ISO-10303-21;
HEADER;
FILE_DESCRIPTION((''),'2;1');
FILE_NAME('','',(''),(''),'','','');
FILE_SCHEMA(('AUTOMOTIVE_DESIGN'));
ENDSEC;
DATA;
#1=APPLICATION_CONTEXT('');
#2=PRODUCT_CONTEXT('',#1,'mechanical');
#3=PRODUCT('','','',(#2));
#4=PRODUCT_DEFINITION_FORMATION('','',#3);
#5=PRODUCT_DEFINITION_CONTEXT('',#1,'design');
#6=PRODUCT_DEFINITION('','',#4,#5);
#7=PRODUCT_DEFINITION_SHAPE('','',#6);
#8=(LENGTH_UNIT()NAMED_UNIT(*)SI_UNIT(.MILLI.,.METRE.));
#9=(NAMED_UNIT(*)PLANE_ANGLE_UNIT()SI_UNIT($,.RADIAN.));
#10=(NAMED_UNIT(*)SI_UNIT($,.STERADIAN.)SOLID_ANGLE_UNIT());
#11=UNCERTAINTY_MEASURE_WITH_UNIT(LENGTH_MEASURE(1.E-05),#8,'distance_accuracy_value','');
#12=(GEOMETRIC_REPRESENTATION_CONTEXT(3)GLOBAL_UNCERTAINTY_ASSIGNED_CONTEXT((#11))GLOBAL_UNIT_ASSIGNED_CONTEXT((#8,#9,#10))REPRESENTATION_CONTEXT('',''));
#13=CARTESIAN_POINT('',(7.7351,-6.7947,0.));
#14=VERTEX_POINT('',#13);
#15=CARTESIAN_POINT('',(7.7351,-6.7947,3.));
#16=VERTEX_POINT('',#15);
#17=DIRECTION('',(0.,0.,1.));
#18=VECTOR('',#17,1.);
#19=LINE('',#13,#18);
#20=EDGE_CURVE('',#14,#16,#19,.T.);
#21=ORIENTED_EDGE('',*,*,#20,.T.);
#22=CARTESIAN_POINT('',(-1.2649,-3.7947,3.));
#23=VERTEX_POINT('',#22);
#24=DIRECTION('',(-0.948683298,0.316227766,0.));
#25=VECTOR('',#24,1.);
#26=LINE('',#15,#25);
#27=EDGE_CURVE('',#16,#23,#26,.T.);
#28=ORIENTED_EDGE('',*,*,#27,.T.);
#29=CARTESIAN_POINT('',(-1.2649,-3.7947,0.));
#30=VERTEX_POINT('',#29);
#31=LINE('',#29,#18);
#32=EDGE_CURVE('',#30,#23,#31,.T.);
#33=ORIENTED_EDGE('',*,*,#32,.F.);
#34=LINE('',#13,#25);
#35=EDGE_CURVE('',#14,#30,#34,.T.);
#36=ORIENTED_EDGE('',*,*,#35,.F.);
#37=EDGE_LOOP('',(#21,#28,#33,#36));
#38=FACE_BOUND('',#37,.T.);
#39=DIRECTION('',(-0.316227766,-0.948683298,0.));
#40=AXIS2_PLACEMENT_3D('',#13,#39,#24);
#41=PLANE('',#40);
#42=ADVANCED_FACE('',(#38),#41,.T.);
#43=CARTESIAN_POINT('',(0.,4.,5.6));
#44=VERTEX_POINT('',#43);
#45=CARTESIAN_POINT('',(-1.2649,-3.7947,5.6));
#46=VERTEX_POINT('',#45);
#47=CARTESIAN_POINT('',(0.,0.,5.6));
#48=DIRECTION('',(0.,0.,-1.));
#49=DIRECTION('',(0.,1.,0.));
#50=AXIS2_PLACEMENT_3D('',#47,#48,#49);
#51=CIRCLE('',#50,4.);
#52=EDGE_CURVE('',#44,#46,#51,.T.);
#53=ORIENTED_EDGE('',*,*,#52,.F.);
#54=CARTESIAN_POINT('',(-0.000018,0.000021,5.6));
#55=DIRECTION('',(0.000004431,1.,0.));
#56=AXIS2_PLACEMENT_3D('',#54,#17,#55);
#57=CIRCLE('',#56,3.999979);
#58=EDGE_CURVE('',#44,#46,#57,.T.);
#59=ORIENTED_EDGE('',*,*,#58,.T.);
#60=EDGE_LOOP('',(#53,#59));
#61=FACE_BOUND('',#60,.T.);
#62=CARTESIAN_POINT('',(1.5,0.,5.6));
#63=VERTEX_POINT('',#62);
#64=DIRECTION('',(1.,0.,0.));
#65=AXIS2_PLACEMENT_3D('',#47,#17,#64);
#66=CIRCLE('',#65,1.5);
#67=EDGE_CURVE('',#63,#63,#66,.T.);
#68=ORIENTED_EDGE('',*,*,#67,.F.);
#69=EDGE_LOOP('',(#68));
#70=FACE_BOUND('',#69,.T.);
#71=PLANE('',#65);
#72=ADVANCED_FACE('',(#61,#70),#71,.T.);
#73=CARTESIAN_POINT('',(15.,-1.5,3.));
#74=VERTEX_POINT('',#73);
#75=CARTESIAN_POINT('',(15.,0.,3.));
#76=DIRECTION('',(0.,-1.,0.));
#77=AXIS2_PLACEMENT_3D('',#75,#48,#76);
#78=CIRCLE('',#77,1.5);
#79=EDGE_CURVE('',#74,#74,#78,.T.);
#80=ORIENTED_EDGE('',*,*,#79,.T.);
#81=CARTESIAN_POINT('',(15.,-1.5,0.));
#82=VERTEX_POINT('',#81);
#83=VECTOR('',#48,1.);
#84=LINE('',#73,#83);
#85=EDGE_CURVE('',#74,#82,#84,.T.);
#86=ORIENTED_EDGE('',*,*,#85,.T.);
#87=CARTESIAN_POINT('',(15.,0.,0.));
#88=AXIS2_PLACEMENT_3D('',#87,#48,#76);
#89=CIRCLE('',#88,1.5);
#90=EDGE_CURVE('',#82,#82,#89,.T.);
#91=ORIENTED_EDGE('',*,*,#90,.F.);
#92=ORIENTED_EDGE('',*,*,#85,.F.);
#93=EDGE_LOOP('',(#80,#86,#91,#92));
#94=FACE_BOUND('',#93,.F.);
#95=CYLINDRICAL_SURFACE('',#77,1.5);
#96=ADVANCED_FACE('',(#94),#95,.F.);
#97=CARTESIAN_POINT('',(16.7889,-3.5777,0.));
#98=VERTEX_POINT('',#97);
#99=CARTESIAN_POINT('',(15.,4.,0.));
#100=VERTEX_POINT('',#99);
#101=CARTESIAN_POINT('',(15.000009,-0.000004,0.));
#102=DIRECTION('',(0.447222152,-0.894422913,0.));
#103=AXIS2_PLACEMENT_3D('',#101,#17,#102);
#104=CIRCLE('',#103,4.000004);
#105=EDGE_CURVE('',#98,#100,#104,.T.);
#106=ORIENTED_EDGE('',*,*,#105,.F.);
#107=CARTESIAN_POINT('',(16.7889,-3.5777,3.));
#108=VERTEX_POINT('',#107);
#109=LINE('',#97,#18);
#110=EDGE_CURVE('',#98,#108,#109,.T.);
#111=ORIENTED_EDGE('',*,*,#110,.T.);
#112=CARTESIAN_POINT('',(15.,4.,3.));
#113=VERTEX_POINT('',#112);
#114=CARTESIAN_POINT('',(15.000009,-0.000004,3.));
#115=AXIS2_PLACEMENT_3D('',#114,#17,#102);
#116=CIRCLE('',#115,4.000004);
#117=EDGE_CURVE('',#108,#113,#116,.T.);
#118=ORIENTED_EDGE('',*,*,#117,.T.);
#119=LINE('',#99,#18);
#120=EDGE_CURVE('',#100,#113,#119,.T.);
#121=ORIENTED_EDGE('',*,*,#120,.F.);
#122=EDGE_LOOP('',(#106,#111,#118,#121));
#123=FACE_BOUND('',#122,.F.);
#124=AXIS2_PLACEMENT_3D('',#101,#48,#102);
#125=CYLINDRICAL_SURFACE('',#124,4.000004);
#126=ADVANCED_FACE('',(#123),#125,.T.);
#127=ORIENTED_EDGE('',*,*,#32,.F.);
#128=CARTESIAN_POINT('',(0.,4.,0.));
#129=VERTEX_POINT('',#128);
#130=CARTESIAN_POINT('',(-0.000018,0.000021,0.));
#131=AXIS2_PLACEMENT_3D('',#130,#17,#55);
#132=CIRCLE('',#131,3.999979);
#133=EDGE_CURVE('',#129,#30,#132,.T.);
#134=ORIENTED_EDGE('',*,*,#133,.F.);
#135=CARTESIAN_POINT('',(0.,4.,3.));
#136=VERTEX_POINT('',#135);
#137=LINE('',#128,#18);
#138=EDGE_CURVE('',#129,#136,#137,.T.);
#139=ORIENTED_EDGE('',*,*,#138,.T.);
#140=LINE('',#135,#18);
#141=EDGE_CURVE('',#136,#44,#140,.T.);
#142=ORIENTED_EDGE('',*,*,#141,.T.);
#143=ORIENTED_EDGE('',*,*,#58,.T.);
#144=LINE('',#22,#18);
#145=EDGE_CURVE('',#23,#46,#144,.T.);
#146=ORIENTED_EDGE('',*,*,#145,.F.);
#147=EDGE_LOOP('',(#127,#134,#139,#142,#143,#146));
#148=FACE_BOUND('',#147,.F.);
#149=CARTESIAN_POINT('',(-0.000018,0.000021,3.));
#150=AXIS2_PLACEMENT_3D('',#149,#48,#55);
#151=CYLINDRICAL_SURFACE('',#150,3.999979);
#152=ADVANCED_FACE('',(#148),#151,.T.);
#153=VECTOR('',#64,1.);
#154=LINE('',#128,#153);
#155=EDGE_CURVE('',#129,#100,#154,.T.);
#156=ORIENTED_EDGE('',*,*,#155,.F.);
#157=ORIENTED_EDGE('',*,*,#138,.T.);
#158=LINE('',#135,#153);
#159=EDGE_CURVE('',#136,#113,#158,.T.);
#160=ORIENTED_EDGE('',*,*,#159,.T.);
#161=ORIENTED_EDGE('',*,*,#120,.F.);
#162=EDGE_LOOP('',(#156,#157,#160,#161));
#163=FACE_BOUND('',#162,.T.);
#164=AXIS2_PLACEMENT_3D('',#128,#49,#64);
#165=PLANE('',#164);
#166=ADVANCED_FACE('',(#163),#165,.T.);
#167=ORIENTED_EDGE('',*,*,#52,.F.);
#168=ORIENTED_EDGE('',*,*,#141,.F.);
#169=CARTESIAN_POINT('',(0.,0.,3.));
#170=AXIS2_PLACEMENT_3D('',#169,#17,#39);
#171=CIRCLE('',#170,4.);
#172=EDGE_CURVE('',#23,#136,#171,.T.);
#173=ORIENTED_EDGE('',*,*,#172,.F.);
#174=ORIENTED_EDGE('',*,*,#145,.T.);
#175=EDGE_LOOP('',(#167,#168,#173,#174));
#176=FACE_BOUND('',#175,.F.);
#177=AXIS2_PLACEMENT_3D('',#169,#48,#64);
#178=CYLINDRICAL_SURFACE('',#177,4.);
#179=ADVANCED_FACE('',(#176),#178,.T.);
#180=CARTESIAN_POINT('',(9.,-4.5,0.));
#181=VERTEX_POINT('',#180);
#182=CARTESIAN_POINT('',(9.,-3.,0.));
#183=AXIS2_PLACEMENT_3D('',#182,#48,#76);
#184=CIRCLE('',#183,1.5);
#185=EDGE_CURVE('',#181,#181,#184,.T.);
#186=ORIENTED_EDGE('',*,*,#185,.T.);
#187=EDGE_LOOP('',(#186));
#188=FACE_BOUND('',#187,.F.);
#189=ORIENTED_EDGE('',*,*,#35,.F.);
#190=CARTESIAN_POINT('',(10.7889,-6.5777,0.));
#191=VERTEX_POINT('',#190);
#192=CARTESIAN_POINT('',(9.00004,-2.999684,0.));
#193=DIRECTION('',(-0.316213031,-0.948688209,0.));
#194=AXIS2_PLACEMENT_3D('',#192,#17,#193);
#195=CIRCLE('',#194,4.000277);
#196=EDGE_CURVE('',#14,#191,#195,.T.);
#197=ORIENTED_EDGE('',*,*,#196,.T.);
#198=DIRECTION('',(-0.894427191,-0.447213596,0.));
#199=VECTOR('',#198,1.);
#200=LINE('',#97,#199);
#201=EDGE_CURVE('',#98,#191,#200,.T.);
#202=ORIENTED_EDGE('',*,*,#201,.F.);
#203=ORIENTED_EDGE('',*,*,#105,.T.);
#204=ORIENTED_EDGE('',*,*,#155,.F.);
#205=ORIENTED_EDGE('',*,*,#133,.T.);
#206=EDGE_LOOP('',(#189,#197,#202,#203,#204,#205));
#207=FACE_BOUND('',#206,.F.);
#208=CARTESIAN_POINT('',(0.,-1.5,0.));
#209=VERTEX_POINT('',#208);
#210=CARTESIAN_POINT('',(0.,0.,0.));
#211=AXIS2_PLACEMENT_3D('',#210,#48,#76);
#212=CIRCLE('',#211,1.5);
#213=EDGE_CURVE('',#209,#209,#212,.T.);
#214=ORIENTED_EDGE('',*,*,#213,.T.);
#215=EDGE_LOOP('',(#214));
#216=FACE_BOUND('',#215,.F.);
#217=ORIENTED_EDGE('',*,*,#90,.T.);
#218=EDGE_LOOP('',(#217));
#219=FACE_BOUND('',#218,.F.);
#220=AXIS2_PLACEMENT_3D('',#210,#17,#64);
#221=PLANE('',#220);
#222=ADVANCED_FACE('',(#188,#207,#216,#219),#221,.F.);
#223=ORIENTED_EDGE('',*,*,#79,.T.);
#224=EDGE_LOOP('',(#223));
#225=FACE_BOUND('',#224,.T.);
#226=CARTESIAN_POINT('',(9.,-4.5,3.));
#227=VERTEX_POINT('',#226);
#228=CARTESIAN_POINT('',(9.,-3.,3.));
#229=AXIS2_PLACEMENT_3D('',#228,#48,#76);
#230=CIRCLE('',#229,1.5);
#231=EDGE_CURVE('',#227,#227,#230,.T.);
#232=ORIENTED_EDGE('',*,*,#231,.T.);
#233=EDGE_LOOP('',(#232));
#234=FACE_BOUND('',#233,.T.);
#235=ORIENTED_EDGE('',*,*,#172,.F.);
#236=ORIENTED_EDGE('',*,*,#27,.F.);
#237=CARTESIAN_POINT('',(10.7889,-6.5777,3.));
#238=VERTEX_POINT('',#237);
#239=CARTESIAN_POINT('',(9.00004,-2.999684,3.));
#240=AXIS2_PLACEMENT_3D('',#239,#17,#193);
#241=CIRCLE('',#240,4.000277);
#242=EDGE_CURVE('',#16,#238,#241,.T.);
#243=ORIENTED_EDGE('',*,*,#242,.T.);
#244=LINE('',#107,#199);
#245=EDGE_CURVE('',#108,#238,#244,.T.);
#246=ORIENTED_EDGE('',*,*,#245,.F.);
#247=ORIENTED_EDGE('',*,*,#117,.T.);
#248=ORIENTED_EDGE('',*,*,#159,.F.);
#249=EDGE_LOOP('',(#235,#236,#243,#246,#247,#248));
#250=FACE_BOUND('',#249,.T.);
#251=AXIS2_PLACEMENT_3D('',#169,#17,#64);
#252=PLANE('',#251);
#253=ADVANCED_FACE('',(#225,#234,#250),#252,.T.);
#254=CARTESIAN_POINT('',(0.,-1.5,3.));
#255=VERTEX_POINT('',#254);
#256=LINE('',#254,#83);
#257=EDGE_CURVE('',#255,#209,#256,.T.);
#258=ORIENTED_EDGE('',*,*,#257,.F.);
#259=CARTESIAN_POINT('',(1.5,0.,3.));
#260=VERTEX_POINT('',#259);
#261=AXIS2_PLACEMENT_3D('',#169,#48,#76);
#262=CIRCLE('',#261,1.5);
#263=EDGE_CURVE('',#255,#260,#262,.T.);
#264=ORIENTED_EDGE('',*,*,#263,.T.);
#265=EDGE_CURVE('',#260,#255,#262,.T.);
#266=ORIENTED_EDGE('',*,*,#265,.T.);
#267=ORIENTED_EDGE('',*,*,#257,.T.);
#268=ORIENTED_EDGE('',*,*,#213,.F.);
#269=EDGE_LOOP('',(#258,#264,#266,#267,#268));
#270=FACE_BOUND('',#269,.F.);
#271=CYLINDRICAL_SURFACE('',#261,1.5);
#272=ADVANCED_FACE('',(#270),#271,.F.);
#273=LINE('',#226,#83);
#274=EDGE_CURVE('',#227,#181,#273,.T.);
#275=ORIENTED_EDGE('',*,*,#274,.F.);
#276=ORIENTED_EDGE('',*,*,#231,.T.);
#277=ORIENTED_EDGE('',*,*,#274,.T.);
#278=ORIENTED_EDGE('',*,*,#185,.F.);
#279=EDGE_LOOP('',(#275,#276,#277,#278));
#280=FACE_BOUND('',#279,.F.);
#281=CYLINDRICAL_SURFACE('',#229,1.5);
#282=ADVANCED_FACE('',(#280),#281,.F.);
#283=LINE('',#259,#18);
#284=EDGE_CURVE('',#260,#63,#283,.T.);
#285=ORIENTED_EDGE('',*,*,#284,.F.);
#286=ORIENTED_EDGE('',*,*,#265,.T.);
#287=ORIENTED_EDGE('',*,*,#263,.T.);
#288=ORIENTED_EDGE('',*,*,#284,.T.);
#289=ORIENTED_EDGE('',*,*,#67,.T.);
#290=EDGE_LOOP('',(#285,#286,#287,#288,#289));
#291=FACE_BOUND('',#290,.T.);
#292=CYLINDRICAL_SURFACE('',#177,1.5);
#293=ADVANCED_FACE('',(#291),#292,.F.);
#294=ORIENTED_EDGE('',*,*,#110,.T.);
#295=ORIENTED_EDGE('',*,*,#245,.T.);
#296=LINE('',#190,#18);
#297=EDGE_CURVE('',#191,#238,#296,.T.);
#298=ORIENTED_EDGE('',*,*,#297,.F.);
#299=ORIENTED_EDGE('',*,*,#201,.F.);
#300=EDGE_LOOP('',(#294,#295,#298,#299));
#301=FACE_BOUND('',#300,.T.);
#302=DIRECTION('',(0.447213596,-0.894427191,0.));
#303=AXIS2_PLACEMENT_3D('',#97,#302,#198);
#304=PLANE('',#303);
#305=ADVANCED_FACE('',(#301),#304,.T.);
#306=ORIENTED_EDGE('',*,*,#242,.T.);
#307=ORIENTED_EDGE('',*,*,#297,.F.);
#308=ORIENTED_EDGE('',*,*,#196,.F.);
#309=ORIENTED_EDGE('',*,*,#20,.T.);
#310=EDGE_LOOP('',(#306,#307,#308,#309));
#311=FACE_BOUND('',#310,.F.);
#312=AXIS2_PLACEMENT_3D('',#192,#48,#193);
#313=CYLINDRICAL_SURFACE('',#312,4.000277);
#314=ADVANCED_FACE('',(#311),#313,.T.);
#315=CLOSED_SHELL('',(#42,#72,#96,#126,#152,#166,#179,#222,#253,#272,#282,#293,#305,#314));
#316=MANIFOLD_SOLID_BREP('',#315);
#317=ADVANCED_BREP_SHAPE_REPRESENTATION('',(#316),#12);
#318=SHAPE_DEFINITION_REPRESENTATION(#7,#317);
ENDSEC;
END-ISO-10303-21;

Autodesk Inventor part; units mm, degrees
ref_plane "YZ Plane" through (0, 0, 0) normal (1, 0, 0) x (0, 1, 0)
ref_plane "XZ Plane" through (0, 0, 0) normal (0, 1, 0) x (-1, 0, 0)
ref_plane "XY Plane" through (0, 0, 0) normal (0, 0, 1) x (1, 0, 0)
sketch "Skizze1" plane through (0, 0, 0) normal (0, 0, 1) x (1, 0, 0)
  line L0 (0, 0) -> (15, 0) construction
  line L1 (9, 0) -> (9, -3) construction
  arc A0 (0, 4) -> (-1.2649, -3.7947) centre (0, 0) ccw
  arc A1 (7.7351, -6.7947) -> (10.7889, -6.5777) centre (9, -3) ccw
  arc A2 (16.7889, -3.5777) -> (15, 4) centre (15, 0) ccw
  line L2 (0, 4) -> (15, 4)
  line L3 (16.7889, -3.5777) -> (10.7889, -6.5777)
  line L4 (7.7351, -6.7947) -> (-1.2649, -3.7947)
  dimension "d0" = 4
  dimension "d1" = 15
  dimension "d2" = 3
  dimension "d6" = 9
ref_plane "Arbeitsebene1" through (0, 0, 0) normal (0, 0, -1) x (1, 0, 0)
extrude "Extrusion1" add sketch "Skizze1" along normal blind 3
sketch "Skizze2" plane through (0, 0, 3) normal (0, 0, 1) x (1, 0, 0)
  arc A0 (0, 4) -> (-1.2649, -3.7947) centre (0, 0) ccw projected
  arc A1 (7.7351, -6.7947) -> (10.7889, -6.5777) centre (9, -3) ccw projected
  arc A2 (16.7889, -3.5777) -> (15, 4) centre (15, 0) ccw projected
hole "Bohrung1" at (9, -3, 3) at (15, 0, 3) at (0, 0, 3) direction (0, 0, -1) diameter 3 end through all
sketch "Skizze3" plane through (0, 0, 3) normal (0, 0, 1) x (1, 0, 0)
  circle A0 centre (0, 0) radius 1.5 projected
  arc A1 (0, 4) -> (-1.2649, -3.7947) centre (0, 0) ccw projected
  circle A2 centre (0, 0) radius 4
extrude "Extrusion2" add sketch "Skizze3" along normal blind 2.6
equation "\"d0\" = bearingWall"
equation "\"d1\" = Hebel_basis_2"
equation "\"d6\" = 0.6 * d1"
equation "\"d4\" = Join_width"
equation "\"d7\" = bearingHole"
equation "\"FingerLaenge_B\" = 25"
equation "\"Hebel_B\" = 25"
equation "\"Finger_width\" = 22"
equation "\"Finger_diameter\" = 8"
equation "\"FingerWall\" = 3"
equation "\"Hebel_basis_2\" = 15"
equation "\"Join_width\" = 3"
equation "\"bearingHole\" = 3"
equation "\"bearingWall\" = 4"
equation "\"support_D\" = 0.25"
properties part number "FingerTip_Mount dual"
